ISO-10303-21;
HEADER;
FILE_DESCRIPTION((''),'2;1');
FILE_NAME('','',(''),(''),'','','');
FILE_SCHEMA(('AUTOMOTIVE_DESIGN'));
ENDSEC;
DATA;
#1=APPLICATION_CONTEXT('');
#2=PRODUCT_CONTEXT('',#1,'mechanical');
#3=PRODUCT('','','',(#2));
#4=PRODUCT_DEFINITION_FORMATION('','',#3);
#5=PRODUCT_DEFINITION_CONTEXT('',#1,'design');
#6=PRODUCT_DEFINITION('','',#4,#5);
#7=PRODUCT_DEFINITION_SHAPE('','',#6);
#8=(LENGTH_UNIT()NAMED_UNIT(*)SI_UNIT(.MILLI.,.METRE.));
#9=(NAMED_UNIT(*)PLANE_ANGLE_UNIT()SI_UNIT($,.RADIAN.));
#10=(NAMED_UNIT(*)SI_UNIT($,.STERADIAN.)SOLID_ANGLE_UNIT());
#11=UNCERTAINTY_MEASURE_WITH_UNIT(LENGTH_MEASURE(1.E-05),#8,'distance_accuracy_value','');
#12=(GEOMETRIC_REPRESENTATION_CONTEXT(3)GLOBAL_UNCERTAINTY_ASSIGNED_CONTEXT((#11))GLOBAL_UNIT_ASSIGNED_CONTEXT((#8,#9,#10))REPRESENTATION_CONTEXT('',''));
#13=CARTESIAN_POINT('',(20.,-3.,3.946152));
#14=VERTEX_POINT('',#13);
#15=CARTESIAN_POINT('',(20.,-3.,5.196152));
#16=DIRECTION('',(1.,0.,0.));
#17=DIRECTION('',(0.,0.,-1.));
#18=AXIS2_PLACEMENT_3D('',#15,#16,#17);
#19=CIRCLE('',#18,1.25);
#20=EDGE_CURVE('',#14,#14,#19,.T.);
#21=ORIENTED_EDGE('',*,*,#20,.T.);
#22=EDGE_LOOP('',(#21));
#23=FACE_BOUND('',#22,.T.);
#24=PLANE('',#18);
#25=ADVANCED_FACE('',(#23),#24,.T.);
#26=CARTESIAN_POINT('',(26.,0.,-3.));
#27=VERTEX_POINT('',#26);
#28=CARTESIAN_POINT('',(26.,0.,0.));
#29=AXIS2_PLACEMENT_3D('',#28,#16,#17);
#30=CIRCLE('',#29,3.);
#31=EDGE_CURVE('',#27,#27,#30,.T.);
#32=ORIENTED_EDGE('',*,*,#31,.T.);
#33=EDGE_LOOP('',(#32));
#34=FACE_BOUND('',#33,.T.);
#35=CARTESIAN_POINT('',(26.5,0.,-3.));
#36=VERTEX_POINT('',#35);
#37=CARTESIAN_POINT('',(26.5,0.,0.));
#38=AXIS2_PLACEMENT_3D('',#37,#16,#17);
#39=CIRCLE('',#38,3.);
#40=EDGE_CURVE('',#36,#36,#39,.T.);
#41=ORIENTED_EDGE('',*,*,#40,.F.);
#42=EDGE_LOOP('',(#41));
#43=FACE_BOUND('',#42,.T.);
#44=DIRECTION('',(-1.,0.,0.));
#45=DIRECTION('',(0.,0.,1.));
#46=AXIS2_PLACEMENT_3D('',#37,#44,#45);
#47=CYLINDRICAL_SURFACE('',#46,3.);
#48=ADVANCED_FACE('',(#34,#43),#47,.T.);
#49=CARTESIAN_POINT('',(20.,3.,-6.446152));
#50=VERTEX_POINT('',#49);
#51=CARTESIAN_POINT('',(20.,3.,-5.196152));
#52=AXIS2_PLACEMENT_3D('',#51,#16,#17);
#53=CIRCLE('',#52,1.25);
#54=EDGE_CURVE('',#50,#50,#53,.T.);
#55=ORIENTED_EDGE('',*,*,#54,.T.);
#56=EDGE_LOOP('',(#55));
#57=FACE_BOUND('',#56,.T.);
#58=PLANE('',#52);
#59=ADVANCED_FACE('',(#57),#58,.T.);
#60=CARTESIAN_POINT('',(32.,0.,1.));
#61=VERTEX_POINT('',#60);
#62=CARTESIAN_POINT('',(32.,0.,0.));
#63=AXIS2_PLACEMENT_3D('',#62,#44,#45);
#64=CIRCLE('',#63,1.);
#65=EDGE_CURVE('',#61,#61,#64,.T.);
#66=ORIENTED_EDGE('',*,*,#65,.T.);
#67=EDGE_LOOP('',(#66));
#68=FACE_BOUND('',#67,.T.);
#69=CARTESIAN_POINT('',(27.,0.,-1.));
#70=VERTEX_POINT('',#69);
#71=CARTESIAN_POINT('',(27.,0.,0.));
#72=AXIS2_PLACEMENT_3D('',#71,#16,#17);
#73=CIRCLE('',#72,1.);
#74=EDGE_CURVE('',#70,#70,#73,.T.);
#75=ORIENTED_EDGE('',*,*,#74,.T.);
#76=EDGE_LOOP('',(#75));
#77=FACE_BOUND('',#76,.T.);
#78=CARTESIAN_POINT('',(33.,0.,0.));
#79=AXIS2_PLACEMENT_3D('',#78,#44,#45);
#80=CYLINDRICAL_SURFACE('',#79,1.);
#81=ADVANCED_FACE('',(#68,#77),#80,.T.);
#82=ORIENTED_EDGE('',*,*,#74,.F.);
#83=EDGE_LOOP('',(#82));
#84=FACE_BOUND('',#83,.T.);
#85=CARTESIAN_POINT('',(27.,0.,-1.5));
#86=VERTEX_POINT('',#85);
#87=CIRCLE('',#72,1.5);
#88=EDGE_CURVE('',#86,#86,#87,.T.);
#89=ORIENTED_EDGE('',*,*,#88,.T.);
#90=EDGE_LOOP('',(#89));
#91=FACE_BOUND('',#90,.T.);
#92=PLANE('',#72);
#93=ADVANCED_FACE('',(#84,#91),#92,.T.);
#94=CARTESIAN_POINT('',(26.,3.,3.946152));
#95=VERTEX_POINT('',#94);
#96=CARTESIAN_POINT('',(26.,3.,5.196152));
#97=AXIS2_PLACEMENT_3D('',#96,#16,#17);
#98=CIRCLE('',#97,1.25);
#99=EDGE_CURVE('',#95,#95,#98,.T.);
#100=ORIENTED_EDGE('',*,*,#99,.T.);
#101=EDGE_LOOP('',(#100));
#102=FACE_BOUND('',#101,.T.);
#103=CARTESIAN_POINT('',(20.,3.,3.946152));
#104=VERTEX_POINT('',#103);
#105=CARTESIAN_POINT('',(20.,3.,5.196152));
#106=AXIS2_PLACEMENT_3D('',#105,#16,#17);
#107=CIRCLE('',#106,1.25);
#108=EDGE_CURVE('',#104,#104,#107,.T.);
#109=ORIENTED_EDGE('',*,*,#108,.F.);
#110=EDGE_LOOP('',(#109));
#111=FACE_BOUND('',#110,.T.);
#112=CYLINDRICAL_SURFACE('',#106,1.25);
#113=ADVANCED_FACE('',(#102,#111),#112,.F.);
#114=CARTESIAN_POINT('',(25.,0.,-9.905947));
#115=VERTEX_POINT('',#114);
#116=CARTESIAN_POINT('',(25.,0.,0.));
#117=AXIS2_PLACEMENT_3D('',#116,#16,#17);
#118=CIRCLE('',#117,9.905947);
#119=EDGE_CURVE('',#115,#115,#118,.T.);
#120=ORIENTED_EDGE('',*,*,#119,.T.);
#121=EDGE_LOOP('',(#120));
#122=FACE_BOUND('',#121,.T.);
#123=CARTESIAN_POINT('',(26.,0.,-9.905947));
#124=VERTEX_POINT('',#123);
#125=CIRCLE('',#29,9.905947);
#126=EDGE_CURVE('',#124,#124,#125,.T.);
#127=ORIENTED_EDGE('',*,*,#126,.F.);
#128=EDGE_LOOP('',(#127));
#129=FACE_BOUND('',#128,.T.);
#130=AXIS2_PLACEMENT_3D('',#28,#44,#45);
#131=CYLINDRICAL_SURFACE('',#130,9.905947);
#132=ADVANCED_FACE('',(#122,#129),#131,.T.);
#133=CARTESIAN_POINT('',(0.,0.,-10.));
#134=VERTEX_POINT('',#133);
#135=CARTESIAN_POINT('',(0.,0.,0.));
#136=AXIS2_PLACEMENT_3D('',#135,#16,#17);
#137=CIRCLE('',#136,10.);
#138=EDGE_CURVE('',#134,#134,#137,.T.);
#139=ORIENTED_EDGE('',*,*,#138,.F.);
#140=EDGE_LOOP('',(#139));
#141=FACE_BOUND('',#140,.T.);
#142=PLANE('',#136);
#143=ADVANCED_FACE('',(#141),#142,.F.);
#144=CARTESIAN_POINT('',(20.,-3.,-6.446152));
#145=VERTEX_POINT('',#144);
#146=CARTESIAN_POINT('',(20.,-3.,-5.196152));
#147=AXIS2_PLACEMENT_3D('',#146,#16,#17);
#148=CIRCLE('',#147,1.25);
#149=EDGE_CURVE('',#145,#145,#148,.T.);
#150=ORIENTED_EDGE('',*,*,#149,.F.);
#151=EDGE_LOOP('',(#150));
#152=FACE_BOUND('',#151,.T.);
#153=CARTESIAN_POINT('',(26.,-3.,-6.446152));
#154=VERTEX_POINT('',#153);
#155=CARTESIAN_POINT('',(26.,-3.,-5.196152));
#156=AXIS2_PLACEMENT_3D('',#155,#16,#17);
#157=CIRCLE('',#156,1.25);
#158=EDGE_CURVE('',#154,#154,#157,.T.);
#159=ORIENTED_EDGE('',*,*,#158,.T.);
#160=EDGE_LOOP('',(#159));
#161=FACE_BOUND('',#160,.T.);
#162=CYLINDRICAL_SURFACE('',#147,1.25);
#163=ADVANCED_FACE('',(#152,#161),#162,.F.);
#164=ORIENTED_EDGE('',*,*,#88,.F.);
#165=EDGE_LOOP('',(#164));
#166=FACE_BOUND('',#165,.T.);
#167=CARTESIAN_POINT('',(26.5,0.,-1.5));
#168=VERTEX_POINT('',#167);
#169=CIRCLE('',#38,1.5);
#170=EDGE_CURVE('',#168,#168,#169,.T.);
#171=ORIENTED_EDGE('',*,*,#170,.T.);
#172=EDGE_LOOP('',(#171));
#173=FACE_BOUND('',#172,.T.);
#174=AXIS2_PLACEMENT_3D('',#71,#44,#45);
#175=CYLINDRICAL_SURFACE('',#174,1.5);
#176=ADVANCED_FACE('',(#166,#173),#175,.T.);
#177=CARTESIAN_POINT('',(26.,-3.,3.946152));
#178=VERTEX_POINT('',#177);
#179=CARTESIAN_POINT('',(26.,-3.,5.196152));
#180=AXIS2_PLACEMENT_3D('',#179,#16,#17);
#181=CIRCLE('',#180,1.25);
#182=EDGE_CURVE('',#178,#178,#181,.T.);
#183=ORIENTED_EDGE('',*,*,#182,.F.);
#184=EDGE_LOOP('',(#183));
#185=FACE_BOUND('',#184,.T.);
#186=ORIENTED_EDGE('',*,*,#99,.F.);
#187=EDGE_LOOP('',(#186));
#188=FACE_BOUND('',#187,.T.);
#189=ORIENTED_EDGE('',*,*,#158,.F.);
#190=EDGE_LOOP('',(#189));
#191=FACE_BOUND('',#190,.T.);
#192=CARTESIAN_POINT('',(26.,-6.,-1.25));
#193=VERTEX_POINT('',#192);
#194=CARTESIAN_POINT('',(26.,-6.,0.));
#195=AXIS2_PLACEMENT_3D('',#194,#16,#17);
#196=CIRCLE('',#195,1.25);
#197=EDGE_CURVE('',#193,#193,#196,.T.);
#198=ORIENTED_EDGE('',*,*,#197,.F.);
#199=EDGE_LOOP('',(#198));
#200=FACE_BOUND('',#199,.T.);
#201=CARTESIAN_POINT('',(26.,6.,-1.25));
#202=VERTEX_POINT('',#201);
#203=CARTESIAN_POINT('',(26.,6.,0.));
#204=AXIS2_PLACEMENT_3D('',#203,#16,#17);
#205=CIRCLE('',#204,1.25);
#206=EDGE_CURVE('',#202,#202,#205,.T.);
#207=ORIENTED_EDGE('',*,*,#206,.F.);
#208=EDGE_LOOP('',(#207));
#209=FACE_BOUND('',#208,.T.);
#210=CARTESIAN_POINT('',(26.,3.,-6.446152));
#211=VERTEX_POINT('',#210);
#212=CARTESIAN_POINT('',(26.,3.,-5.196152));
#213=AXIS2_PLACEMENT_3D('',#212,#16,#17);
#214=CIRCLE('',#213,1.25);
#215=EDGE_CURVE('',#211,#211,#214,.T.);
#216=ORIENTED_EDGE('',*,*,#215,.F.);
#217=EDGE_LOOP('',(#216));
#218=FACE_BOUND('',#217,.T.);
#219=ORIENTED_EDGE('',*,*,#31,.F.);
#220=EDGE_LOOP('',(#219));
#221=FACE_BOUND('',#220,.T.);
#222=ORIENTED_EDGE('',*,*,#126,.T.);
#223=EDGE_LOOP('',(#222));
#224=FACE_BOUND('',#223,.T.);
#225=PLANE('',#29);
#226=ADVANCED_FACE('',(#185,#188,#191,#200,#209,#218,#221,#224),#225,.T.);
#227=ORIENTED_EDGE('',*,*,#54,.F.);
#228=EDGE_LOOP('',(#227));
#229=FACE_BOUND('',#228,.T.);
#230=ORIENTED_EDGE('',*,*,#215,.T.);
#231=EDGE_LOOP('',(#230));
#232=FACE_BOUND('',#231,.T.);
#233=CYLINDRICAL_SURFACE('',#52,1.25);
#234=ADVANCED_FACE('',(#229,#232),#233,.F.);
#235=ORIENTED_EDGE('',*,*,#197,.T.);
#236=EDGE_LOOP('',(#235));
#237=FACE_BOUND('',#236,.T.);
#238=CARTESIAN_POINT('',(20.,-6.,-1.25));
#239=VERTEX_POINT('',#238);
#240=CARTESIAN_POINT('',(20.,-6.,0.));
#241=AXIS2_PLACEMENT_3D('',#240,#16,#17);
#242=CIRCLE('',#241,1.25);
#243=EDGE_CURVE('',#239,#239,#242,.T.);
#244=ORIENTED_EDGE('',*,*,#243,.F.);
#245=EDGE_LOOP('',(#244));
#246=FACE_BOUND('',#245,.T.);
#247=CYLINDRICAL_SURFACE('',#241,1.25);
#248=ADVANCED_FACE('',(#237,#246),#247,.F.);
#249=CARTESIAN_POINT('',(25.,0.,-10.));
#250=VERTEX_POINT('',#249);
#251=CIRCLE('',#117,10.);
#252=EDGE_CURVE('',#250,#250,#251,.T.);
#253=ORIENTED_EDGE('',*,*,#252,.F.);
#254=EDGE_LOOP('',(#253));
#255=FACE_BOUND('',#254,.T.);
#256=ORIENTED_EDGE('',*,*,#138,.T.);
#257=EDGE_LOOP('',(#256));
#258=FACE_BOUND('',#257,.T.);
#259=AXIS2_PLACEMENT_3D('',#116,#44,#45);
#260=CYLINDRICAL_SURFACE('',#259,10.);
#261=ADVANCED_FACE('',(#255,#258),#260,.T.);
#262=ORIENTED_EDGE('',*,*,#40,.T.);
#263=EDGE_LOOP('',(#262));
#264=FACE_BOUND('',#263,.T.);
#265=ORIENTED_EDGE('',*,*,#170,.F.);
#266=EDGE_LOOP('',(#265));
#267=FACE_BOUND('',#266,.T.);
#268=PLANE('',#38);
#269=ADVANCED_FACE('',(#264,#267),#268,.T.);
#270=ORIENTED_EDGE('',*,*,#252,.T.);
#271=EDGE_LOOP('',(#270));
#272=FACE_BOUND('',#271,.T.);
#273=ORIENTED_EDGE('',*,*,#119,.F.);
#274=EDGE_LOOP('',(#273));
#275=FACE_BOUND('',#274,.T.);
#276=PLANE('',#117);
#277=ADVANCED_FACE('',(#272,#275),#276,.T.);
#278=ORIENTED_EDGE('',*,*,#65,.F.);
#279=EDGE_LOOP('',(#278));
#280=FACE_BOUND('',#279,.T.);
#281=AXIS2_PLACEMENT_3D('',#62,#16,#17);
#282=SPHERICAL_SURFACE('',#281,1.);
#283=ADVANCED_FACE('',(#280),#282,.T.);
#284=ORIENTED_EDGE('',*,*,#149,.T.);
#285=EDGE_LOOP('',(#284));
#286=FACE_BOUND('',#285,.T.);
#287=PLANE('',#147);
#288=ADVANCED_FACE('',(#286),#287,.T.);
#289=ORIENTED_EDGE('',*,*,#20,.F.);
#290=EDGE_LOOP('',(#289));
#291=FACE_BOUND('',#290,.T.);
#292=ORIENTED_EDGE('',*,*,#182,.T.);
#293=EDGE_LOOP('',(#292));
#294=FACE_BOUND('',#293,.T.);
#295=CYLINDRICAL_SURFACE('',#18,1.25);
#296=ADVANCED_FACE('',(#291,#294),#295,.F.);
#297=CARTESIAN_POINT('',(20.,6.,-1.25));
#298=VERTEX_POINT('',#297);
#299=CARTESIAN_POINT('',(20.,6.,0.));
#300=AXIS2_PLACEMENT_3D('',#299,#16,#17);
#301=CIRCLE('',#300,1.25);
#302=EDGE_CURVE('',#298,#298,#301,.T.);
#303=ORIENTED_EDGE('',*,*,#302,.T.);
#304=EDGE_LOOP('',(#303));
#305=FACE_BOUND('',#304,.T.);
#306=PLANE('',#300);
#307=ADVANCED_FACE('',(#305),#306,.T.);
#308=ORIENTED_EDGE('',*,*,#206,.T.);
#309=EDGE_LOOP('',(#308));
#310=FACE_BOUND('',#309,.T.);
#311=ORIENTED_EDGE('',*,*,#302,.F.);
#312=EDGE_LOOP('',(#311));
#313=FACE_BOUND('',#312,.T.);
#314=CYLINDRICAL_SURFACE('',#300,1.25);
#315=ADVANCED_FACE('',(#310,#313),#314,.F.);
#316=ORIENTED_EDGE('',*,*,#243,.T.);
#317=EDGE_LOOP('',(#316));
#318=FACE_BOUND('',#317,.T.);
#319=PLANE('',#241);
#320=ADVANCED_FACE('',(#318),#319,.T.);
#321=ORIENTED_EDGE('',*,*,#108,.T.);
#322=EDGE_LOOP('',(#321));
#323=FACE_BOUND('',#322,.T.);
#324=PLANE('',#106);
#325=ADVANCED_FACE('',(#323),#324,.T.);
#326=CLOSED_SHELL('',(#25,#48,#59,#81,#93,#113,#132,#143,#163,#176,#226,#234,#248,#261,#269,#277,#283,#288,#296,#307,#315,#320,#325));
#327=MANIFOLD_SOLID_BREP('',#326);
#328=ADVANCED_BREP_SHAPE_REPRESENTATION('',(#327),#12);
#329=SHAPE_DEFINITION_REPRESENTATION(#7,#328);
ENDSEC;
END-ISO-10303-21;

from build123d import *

# Parameters (mm, degrees)
CROQUIS4_R              = 10
SALIENTE_EXTRUIR2_DEPTH = 25
CROQUIS5_R              = 3
SALIENTE_EXTRUIR3_DEPTH = 1.5
CROQUIS6_R              = 1.5
SALIENTE_EXTRUIR4_DEPTH = 0.5
CROQUIS7_R              = 1
SALIENTE_EXTRUIR5_DEPTH = 6
REDONDEO1_R             = 1
CROQUIS10_R             = 9.905946753
SALIENTE_EXTRUIR6_DEPTH = 1
CORTAR_EXTRUIR1_START   = 1
CROQUIS8_R              = 1.25
CORTAR_EXTRUIR1_DEPTH   = 6


with BuildPart() as part:
    # Croquis4 → Saliente-Extruir2 (new body)
    with BuildSketch(Plane(origin=(0, 0, 0), x_dir=(0, 0, -1), z_dir=(1, 0, 0))):
        Circle(CROQUIS4_R)
    extrude(amount=SALIENTE_EXTRUIR2_DEPTH)

    # Croquis5 → Saliente-Extruir3 (add)
    with BuildSketch(Plane(origin=(25, 0, 0), x_dir=(0, 0, -1), z_dir=(1, 0, 0))):
        Circle(CROQUIS5_R)
    extrude(amount=SALIENTE_EXTRUIR3_DEPTH)

    # Croquis6 → Saliente-Extruir4 (add)
    with BuildSketch(Plane(origin=(26.5, 0, 0), x_dir=(0, 0, -1), z_dir=(1, 0, 0))):
        Circle(CROQUIS6_R)
    extrude(amount=SALIENTE_EXTRUIR4_DEPTH)

    # Croquis7 → Saliente-Extruir5 (add)
    with BuildSketch(Plane(origin=(27, 0, 0), x_dir=(0, 0, -1), z_dir=(1, 0, 0))):
        Circle(CROQUIS7_R)
    extrude(amount=SALIENTE_EXTRUIR5_DEPTH)

    # Redondeo1
    redondeo1_edges = [part.edges().sort_by_distance(p)[0] for p in [
        (33, 0, 1),
    ]]
    fillet(redondeo1_edges, radius=REDONDEO1_R)

    # Croquis10 → Saliente-Extruir6 (add)
    with BuildSketch(Plane(origin=(25, 0, 0), x_dir=(0, 0, -1), z_dir=(1, 0, 0))):
        Circle(CROQUIS10_R)
    extrude(amount=SALIENTE_EXTRUIR6_DEPTH)

    # Croquis8 → Cortar-Extruir1 (cut)
    with BuildSketch(Plane(origin=(25, 0, 0), x_dir=(0, 0, -1), z_dir=(1, 0, 0)).offset(CORTAR_EXTRUIR1_START)):
        with Locations((0, 6)):
            Circle(CROQUIS8_R)
        with Locations((5.196152423, 3)):
            Circle(CROQUIS8_R)
        with Locations((5.196152423, -3)):
            Circle(CROQUIS8_R)
        with Locations((0, -6)):
            Circle(CROQUIS8_R)
        with Locations((-5.196152423, -3)):
            Circle(CROQUIS8_R)
        with Locations((-5.196152423, 3)):
            Circle(CROQUIS8_R)
    extrude(amount=-CORTAR_EXTRUIR1_DEPTH, mode=Mode.SUBTRACT)


solid = part.part
